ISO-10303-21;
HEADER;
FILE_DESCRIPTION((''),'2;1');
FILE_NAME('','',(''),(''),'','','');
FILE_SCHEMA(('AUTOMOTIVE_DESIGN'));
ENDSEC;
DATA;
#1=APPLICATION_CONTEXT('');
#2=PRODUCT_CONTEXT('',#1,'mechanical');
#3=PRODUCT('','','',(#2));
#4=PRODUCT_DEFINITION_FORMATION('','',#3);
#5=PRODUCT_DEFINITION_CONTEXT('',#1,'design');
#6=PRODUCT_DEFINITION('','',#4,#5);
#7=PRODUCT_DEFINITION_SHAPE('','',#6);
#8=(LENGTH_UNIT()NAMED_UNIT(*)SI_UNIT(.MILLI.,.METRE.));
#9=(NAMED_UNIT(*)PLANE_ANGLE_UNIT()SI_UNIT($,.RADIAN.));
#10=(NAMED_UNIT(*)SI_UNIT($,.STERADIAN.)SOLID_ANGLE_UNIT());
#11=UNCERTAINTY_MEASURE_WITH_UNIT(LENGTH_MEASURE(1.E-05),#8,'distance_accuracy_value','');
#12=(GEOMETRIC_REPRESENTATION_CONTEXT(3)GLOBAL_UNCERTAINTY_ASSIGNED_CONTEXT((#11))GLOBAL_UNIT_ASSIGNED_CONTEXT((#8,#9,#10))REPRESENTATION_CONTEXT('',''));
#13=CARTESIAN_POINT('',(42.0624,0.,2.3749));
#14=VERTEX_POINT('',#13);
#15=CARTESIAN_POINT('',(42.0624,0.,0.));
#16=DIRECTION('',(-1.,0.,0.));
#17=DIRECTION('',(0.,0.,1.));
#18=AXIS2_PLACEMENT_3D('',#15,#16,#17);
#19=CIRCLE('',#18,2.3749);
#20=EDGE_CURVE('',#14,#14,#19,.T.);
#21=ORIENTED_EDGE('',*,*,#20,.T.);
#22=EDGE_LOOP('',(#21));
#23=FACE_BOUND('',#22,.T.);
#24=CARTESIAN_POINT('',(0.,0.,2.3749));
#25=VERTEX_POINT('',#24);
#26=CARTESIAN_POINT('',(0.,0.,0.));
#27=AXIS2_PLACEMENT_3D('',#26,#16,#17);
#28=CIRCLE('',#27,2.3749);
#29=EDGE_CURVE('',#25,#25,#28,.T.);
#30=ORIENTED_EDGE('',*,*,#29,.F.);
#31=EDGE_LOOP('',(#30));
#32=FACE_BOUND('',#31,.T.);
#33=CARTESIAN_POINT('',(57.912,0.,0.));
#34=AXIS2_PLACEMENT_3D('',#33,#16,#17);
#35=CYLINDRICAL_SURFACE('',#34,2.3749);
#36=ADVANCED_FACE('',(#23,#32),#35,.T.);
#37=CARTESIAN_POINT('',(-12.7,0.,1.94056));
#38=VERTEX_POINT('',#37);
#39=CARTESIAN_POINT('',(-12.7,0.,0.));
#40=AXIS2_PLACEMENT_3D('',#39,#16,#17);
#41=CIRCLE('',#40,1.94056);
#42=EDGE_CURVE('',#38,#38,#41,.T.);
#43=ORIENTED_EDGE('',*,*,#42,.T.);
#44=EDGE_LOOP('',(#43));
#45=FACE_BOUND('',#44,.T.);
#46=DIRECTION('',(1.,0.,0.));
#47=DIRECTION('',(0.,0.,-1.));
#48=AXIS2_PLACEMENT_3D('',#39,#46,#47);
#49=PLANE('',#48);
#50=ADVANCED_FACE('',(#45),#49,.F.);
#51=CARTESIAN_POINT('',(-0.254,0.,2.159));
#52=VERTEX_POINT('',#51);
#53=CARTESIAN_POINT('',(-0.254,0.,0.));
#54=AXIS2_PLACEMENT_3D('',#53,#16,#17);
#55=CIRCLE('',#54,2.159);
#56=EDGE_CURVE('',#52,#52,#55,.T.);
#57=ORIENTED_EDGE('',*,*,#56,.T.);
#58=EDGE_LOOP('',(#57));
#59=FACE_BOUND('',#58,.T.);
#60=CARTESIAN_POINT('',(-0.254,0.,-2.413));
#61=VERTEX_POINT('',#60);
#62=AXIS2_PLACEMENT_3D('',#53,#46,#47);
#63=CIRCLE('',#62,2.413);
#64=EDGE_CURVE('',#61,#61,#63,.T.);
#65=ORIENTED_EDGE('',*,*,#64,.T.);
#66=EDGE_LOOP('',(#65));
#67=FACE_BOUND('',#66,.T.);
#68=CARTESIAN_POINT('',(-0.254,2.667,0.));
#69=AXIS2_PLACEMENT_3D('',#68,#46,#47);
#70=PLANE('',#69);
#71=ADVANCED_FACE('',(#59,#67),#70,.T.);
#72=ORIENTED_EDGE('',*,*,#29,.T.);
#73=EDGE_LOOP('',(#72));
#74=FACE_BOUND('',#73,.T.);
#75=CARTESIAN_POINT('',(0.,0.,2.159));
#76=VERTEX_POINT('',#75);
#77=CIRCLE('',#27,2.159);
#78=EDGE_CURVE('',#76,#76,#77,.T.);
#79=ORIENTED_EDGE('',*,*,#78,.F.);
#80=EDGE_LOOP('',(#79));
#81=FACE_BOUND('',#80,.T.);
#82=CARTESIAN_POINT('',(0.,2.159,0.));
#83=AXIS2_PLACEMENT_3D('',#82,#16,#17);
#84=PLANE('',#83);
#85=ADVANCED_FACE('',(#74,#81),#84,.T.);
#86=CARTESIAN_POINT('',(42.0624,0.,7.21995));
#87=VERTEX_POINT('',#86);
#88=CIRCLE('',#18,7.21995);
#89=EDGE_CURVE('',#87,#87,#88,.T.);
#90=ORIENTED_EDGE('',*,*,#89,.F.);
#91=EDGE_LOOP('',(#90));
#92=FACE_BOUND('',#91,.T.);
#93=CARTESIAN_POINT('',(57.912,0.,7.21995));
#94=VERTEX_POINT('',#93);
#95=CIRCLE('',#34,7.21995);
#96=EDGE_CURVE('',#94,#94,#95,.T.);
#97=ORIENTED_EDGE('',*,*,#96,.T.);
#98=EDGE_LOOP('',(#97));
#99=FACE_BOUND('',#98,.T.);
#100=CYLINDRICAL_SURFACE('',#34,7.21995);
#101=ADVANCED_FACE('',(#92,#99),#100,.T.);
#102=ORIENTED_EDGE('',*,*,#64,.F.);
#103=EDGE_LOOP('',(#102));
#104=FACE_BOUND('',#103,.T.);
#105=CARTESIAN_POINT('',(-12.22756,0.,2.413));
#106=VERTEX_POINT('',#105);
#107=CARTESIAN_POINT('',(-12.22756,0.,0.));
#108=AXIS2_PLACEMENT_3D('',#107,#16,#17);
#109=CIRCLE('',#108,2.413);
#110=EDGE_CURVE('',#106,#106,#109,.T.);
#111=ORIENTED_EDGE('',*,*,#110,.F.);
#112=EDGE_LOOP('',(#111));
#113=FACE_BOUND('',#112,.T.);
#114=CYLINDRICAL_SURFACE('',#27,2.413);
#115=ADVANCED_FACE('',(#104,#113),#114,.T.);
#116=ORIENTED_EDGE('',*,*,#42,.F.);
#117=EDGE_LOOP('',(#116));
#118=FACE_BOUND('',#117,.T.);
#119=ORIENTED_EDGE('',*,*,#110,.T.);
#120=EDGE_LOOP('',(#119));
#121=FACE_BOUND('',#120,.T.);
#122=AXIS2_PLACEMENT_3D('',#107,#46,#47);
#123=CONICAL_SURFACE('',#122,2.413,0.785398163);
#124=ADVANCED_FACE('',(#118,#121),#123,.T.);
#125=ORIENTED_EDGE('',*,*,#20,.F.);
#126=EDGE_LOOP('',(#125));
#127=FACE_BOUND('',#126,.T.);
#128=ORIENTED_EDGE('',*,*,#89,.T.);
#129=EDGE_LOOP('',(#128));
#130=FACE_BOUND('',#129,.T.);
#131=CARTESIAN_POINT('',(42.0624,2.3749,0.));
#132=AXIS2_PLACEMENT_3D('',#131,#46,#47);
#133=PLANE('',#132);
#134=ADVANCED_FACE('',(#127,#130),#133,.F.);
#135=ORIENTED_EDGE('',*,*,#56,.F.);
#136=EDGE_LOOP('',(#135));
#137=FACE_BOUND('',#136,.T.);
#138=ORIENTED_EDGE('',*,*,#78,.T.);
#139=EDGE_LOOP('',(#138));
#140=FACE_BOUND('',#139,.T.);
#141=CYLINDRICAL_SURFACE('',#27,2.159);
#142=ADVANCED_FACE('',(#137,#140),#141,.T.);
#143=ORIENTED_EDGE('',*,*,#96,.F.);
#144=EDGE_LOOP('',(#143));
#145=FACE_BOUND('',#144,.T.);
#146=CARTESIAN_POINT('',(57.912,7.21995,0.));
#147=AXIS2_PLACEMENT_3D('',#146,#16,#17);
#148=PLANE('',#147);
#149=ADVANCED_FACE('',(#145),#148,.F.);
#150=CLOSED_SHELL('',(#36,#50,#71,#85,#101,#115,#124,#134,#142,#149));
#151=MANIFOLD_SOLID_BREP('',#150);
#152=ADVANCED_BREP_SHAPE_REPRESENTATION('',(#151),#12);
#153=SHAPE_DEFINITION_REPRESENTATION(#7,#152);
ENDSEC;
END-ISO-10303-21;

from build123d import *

# Parameters (mm, degrees)
SKETCH3_W = 0.254
SKETCH3_H = 0.508


with BuildPart() as part:
    # Sketch1 → Revolve1 (revolve)
    with BuildSketch(Plane.XY):
        Polygon((0, 0), (0, 2.3749), (42.0624, 2.3749), (42.0624, 7.21995), (57.912, 7.21995), (57.912, 0), align=None)
    revolve(axis=Axis((57.912, 0, 0), (-1, 0, 0)))

    # Sketch2 → Revolve2 (revolve)
    with BuildSketch(Plane.XY):
        Polygon((-12.7, 0), (-12.7, 1.94056), (-12.22756, 2.413), (0, 2.413), (0, 0), align=None)
    revolve(axis=Axis((0, 0, 0), (-1, 0, 0)))

    # Sketch3 → Cut-Revolve1 (revolve, cut)
    with BuildSketch(Plane.XY):
        with Locations((-0.127, 2.413)):
            Rectangle(SKETCH3_W, SKETCH3_H)
    revolve(axis=Axis((0, 0, 0), (-1, 0, 0)), mode=Mode.SUBTRACT)


solid = part.part
